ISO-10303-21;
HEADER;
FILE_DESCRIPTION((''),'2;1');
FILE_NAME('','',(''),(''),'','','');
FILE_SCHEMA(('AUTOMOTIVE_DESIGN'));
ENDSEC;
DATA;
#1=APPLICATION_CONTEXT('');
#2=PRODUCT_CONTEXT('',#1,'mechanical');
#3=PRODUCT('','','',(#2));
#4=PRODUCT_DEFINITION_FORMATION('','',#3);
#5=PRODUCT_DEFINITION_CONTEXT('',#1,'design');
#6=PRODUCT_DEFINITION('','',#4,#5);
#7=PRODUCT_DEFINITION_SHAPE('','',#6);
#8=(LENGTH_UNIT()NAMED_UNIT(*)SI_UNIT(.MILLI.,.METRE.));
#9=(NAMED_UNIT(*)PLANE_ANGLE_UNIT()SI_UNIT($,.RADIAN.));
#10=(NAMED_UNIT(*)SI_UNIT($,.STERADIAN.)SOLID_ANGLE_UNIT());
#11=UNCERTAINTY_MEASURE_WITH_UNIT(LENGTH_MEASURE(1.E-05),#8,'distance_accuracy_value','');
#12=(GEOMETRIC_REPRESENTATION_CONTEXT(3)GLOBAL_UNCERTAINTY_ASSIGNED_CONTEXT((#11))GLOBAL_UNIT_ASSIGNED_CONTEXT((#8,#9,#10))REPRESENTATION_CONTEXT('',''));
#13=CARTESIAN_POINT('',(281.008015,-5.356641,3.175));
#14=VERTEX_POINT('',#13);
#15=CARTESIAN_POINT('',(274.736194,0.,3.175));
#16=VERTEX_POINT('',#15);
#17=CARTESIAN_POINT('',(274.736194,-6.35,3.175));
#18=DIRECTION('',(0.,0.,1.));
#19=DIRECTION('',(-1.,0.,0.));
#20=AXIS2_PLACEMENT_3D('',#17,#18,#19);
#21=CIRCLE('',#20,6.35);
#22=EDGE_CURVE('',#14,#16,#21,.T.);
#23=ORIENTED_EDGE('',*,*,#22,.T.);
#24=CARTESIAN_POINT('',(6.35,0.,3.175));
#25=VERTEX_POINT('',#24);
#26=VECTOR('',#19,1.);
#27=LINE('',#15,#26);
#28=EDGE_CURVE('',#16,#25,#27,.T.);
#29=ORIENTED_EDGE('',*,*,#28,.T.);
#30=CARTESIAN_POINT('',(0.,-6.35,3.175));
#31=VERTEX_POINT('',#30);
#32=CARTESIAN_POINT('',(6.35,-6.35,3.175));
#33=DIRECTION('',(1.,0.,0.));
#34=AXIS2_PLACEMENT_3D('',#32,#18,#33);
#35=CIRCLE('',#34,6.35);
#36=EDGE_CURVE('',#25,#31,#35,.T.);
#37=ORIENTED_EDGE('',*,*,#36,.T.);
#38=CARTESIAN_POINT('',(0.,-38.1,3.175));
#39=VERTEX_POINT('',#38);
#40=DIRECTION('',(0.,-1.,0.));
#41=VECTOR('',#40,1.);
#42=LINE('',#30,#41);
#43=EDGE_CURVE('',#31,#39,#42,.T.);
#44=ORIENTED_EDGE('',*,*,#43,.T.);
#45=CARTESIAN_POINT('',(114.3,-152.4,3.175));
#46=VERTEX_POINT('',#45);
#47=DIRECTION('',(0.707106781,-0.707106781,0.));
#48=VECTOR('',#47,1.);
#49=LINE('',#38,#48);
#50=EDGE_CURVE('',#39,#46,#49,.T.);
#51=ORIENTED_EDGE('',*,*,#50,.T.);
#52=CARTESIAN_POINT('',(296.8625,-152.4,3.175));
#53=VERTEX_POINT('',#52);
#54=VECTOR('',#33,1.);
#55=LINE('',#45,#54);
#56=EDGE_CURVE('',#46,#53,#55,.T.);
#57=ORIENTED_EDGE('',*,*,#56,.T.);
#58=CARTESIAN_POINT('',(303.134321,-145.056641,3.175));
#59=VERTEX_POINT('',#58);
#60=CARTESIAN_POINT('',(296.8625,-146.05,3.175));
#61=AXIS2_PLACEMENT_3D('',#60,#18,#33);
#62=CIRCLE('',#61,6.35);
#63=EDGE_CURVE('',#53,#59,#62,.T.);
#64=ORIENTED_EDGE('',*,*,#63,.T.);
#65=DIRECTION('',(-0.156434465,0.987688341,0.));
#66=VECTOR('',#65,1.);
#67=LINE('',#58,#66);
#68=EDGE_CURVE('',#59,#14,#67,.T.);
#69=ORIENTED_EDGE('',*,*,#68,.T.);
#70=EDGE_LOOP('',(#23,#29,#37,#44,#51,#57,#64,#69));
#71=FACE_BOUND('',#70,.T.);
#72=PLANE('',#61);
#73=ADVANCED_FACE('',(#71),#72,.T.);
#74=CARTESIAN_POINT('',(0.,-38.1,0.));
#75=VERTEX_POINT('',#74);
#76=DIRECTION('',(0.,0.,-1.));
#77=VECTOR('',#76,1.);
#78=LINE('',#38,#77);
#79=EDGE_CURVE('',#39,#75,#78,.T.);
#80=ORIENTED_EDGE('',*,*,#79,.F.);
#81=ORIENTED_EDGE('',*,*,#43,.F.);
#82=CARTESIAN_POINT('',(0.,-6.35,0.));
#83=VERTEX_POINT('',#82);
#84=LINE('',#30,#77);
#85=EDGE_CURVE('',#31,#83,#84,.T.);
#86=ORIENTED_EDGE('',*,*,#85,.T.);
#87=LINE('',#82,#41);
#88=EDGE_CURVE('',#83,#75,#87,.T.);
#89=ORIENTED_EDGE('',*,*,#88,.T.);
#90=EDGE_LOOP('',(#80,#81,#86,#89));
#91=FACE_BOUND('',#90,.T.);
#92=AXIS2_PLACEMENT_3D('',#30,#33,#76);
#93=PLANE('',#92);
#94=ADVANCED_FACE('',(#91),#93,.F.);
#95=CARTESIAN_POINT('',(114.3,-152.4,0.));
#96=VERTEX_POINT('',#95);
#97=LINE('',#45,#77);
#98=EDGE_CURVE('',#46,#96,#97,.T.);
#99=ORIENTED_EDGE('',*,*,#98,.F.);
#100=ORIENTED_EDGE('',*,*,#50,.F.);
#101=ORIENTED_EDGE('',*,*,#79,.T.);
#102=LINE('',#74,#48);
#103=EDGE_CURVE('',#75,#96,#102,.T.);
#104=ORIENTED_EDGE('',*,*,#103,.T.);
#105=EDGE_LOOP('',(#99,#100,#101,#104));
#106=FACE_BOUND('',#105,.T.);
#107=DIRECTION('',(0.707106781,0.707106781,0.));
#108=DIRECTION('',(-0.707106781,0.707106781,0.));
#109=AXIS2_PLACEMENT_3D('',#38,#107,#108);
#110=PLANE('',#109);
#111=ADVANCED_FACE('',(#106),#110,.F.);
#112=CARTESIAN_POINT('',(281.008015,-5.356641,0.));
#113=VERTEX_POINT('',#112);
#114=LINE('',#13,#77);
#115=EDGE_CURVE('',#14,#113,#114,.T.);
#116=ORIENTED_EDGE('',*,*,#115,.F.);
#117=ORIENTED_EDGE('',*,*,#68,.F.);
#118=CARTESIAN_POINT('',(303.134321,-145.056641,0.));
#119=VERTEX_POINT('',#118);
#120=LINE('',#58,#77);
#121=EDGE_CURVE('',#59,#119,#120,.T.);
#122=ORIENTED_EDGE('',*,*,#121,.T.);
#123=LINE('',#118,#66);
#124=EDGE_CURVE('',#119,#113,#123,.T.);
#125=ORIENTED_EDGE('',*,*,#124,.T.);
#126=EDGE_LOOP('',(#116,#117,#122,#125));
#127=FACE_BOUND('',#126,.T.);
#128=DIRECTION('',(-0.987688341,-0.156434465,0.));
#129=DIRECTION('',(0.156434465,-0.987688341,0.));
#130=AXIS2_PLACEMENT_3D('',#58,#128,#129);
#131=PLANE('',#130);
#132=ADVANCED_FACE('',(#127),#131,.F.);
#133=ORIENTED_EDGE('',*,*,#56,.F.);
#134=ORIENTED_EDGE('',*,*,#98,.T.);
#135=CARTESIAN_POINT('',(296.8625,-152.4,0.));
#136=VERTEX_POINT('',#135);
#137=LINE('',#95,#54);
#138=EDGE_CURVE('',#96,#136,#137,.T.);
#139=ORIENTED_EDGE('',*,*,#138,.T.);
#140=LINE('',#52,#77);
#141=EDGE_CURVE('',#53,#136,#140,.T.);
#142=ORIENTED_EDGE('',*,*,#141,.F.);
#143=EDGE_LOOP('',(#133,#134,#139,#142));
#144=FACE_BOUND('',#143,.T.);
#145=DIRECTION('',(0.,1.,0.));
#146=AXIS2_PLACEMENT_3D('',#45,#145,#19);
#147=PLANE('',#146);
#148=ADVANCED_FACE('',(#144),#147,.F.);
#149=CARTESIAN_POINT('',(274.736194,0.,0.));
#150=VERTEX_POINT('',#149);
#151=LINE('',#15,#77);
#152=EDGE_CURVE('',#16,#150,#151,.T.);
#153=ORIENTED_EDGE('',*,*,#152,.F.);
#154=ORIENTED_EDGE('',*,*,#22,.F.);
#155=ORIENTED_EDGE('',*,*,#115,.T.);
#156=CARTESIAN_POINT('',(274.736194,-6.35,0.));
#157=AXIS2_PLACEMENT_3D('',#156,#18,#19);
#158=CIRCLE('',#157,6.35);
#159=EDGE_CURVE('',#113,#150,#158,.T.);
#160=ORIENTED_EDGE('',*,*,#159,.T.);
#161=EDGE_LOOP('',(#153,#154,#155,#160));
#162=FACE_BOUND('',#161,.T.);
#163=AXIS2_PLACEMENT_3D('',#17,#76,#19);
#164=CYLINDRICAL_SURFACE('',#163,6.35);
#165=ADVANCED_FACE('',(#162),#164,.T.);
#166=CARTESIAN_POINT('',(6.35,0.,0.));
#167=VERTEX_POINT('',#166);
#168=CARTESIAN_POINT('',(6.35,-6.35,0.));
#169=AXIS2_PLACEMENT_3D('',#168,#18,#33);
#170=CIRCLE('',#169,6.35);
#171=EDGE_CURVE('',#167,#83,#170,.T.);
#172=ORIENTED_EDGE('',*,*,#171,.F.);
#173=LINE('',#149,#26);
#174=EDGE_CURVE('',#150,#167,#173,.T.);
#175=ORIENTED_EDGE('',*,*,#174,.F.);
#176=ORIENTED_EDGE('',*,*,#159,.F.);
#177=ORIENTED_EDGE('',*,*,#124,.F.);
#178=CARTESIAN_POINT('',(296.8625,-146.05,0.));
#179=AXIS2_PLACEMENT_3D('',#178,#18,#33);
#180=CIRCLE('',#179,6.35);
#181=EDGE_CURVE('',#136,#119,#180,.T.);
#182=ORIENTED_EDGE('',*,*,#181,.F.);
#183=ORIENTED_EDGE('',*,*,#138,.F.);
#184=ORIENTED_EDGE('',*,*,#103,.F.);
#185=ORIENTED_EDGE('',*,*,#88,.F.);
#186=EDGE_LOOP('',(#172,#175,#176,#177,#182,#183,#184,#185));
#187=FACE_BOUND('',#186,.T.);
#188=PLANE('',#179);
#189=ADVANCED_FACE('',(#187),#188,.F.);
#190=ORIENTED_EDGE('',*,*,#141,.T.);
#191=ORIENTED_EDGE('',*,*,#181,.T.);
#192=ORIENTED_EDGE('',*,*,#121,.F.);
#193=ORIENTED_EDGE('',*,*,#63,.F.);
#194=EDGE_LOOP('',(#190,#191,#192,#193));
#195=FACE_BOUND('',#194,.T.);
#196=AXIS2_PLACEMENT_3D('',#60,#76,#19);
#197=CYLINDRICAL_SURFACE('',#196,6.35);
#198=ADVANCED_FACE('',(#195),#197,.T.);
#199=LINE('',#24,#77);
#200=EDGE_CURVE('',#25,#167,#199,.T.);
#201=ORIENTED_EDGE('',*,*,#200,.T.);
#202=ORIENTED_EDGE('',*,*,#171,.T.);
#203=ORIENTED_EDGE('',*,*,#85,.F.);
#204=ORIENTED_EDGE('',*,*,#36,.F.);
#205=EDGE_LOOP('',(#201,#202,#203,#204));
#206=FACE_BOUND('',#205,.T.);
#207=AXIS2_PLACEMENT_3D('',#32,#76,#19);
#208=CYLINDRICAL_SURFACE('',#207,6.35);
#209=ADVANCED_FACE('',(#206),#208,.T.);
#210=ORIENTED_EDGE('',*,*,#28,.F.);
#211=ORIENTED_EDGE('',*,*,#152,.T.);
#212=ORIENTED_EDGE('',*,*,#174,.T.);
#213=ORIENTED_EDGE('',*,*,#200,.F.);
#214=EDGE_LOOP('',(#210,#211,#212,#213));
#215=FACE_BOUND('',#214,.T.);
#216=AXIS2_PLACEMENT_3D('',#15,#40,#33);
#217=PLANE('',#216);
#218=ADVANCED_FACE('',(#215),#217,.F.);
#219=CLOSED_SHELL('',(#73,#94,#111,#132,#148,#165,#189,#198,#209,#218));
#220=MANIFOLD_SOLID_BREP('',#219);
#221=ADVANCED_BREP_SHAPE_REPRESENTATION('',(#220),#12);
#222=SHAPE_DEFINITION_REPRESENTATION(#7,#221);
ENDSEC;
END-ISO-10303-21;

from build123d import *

# Parameters (mm, degrees)
BOSS_EXTRUDE1_DEPTH = 3.175


with BuildPart() as part:
    # Sketch1 → Boss-Extrude1 (new body)
    with BuildSketch(Plane.XY):
        with BuildLine():
            Line((0, -6.35), (0, -38.1))
            Line((0, -38.1), (114.3, -152.4))
            Line((114.3, -152.4), (296.8625, -152.4))
            ThreePointArc((296.8625, -152.4), (301.691077882, -150.173995107), (303.134320963, -145.056641147))
            Line((303.134320963, -145.056641147), (281.008014649, -5.356641147))
            ThreePointArc((281.008014649, -5.356641147), (278.860188794, -1.521422118), (274.736193687, 0))
            Line((274.736193687, 0), (6.35, 0))
            ThreePointArc((6.35, 0), (1.859871939, -1.859871939), (0, -6.35))
        make_face()
    extrude(amount=BOSS_EXTRUDE1_DEPTH)


solid = part.part
